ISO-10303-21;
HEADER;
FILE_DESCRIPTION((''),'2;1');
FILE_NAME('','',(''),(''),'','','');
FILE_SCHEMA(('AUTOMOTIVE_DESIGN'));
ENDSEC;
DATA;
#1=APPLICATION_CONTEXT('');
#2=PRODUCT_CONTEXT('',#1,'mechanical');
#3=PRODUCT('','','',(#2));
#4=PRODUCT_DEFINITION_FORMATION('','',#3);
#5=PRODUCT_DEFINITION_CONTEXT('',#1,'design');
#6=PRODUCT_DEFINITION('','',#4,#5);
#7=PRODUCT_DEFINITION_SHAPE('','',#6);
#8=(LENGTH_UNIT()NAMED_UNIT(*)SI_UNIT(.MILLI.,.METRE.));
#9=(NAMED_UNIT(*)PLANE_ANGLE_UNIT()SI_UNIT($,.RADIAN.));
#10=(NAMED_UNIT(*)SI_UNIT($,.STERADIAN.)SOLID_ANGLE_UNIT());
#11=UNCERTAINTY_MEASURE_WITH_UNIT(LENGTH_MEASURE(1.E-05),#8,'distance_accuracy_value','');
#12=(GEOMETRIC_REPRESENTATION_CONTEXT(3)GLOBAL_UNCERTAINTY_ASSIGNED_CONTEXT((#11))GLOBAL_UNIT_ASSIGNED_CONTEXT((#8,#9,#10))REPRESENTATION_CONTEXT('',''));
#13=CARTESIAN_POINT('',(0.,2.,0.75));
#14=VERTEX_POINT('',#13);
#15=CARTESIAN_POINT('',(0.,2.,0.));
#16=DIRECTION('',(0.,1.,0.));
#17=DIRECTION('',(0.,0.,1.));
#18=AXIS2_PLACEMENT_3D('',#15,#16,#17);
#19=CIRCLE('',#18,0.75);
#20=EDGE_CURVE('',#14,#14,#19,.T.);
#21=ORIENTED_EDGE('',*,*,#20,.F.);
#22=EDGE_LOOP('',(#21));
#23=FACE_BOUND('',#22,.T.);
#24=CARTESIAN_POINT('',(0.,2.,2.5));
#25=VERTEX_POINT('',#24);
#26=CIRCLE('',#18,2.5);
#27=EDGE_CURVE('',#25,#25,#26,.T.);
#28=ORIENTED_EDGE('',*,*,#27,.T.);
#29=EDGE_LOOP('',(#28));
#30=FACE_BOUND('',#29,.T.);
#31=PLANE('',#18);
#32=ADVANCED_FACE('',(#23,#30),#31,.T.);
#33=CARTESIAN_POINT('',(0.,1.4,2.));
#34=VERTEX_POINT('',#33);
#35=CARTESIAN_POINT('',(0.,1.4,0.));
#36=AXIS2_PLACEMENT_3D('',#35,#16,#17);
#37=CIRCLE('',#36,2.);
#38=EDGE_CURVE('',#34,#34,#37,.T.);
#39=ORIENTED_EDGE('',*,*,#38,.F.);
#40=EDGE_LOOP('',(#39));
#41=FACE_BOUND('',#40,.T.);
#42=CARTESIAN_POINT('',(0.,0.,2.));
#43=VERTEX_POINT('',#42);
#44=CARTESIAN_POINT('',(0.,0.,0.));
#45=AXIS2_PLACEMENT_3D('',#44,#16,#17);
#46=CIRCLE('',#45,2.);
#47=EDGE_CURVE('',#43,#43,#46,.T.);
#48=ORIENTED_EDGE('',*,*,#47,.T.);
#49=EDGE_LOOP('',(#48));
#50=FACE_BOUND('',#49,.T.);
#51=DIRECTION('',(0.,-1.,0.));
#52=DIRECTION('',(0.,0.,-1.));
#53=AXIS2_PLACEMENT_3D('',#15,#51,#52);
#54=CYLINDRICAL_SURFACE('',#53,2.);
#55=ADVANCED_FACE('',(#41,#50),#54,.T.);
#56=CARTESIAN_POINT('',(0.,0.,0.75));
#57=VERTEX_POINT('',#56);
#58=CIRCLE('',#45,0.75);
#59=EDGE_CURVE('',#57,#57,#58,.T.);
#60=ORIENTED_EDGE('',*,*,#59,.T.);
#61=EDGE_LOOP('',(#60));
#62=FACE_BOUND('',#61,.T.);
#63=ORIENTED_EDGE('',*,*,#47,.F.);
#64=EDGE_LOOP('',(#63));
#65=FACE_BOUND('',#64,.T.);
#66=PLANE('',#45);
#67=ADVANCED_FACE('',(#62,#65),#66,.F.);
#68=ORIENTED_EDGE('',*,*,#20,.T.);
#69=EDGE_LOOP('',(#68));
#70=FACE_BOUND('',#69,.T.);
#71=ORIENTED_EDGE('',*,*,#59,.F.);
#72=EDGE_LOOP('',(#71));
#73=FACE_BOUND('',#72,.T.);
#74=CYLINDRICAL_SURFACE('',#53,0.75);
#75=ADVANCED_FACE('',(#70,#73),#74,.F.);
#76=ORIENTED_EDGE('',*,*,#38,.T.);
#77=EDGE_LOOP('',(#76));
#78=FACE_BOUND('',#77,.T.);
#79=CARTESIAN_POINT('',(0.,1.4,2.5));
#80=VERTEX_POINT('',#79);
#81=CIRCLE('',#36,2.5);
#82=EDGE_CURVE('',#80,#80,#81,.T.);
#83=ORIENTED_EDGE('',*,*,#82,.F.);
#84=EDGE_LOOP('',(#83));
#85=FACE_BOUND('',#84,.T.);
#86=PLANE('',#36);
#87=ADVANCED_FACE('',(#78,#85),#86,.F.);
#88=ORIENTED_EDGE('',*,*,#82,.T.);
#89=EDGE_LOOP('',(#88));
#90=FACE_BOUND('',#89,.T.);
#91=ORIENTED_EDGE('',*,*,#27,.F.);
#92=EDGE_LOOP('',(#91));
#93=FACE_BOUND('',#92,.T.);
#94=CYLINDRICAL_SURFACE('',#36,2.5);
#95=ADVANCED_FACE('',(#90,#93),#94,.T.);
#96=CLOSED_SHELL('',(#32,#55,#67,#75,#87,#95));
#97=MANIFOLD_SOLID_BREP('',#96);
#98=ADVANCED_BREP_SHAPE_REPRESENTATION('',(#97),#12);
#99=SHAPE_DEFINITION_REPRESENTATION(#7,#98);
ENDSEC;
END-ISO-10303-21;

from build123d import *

# Parameters (mm, degrees)
SKETCH1_R           = 2
SKETCH1_R_2         = 0.75
BOSS_EXTRUDE1_DEPTH = 2
SKETCH2_R           = 2.5
SKETCH2_R_2         = 2
BOSS_EXTRUDE2_DEPTH = 0.6


with BuildPart() as part:
    # Sketch1 → Boss-Extrude1 (new body)
    with BuildSketch(Plane(origin=(0, 0, 0), x_dir=(1, 0, 0), z_dir=(0, 1, 0))):
        Circle(SKETCH1_R)
        Circle(SKETCH1_R_2, mode=Mode.SUBTRACT)
    extrude(amount=BOSS_EXTRUDE1_DEPTH)

    # Sketch2 → Boss-Extrude2 (add)
    with BuildSketch(Plane(origin=(0, 2, 0), x_dir=(1, 0, 0), z_dir=(0, 1, 0))):
        Circle(SKETCH2_R)
        Circle(SKETCH2_R_2, mode=Mode.SUBTRACT)
    extrude(amount=-BOSS_EXTRUDE2_DEPTH)


solid = part.part
